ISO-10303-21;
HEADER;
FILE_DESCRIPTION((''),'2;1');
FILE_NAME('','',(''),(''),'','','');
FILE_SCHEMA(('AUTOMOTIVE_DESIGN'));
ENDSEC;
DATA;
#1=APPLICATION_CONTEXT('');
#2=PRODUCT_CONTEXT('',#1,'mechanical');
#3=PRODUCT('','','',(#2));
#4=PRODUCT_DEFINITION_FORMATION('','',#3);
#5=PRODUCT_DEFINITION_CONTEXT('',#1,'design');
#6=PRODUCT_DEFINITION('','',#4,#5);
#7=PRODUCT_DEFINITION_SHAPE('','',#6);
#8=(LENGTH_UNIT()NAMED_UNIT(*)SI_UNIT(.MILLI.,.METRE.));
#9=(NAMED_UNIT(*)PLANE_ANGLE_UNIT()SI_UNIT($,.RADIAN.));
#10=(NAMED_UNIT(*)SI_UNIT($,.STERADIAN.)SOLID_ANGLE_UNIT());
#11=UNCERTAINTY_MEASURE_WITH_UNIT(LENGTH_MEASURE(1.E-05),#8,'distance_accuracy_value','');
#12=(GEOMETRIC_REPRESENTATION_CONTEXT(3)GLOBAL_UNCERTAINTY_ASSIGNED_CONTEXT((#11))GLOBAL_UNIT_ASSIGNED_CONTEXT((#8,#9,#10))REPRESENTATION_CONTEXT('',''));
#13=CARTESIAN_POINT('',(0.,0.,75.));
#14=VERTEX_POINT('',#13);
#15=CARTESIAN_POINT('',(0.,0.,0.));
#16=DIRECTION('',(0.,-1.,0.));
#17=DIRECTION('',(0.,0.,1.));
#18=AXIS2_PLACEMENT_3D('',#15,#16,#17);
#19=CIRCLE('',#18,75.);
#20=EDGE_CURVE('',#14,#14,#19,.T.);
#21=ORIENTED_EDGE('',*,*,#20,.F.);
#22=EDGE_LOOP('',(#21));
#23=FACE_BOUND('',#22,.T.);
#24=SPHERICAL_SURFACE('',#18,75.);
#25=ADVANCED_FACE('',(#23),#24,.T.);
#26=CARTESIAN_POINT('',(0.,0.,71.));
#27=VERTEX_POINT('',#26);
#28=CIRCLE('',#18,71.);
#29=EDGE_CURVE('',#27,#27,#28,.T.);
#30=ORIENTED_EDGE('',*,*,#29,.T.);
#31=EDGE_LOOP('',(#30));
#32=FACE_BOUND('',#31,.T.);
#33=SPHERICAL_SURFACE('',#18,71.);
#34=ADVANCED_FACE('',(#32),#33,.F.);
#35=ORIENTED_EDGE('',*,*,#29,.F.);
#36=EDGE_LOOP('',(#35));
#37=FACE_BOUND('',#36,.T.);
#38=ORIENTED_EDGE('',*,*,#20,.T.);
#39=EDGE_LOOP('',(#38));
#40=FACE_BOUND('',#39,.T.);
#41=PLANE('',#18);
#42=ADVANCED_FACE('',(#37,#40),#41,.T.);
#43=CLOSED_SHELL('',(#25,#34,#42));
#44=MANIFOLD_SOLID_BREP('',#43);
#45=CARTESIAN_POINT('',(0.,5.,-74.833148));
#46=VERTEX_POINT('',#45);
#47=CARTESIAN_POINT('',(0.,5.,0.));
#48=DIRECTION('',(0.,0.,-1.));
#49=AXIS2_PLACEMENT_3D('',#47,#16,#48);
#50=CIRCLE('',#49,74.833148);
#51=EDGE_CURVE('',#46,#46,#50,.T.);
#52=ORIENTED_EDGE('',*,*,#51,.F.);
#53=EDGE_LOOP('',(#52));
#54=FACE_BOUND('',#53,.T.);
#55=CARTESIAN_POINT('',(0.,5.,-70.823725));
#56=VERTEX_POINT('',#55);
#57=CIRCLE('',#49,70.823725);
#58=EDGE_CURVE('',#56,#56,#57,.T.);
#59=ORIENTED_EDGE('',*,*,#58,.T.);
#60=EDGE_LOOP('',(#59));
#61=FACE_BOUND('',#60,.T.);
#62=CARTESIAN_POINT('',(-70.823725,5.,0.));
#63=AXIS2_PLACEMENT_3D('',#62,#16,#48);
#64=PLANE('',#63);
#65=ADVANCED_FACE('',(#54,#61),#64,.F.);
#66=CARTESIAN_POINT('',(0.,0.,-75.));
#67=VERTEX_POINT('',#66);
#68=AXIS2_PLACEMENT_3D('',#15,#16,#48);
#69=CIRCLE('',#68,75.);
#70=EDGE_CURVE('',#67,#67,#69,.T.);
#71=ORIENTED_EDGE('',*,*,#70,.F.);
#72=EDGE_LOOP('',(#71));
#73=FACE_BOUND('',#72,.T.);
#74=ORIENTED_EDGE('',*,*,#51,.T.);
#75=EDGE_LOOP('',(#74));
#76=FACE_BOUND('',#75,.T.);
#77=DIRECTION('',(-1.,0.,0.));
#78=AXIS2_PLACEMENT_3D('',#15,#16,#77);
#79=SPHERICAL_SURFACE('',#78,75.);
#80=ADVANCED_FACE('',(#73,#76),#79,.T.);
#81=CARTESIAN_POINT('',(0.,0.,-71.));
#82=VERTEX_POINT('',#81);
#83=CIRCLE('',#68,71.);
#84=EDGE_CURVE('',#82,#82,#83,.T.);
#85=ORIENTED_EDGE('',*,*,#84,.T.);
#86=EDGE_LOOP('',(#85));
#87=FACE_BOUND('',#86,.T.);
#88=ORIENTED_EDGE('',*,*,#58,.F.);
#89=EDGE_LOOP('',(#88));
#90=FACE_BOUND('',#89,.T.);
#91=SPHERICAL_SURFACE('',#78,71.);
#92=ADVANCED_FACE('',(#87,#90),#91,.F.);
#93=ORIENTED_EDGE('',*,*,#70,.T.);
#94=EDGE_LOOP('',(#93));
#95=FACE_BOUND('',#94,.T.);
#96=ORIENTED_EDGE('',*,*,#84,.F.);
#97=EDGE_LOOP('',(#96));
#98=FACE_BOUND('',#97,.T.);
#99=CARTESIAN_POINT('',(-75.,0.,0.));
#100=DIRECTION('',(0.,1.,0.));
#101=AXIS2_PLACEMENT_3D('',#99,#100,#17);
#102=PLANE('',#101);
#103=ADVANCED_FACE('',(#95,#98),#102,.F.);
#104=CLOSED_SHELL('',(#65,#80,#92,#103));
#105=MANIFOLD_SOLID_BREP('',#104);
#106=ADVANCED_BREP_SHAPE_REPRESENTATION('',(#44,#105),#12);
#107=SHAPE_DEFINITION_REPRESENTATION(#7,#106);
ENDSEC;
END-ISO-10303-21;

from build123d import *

# Parameters (mm, degrees)
SHELL_ANGLE = 180


with BuildPart() as part:
    # Sketch9 → Shell (revolve)
    with BuildSketch(Plane(origin=(0, 0, 0), x_dir=(1, 0, 0), z_dir=(0, 1, 0))):
        with BuildLine():
            Line((0, 75), (0, 71))
            ThreePointArc((0, 71), (-71, 0), (0, -71))
            Line((0, -71), (0, -75))
            ThreePointArc((0, -75), (-75, 0), (0, 75))
        make_face()
    revolve(axis=Axis((0, 0, -75), (0, 0, -1)), revolution_arc=SHELL_ANGLE)


with BuildPart() as body_2:
    # Sketch4 → Base (revolve)
    with BuildSketch(Plane.XY):
        with BuildLine():
            Line((-75, 0), (-71, 0))
            ThreePointArc((-71, 0), (-70.955917525, 2.501553164), (-70.823724839, 5))
            Line((-70.823724839, 5), (-74.833147735, 5))
            ThreePointArc((-74.833147735, 5), (-74.958275328, 2.501391597), (-75, 0))
        make_face()
    revolve(axis=Axis((0, 0, 0), (0, 1, 0)))


solid = Compound([part.part, body_2.part])
